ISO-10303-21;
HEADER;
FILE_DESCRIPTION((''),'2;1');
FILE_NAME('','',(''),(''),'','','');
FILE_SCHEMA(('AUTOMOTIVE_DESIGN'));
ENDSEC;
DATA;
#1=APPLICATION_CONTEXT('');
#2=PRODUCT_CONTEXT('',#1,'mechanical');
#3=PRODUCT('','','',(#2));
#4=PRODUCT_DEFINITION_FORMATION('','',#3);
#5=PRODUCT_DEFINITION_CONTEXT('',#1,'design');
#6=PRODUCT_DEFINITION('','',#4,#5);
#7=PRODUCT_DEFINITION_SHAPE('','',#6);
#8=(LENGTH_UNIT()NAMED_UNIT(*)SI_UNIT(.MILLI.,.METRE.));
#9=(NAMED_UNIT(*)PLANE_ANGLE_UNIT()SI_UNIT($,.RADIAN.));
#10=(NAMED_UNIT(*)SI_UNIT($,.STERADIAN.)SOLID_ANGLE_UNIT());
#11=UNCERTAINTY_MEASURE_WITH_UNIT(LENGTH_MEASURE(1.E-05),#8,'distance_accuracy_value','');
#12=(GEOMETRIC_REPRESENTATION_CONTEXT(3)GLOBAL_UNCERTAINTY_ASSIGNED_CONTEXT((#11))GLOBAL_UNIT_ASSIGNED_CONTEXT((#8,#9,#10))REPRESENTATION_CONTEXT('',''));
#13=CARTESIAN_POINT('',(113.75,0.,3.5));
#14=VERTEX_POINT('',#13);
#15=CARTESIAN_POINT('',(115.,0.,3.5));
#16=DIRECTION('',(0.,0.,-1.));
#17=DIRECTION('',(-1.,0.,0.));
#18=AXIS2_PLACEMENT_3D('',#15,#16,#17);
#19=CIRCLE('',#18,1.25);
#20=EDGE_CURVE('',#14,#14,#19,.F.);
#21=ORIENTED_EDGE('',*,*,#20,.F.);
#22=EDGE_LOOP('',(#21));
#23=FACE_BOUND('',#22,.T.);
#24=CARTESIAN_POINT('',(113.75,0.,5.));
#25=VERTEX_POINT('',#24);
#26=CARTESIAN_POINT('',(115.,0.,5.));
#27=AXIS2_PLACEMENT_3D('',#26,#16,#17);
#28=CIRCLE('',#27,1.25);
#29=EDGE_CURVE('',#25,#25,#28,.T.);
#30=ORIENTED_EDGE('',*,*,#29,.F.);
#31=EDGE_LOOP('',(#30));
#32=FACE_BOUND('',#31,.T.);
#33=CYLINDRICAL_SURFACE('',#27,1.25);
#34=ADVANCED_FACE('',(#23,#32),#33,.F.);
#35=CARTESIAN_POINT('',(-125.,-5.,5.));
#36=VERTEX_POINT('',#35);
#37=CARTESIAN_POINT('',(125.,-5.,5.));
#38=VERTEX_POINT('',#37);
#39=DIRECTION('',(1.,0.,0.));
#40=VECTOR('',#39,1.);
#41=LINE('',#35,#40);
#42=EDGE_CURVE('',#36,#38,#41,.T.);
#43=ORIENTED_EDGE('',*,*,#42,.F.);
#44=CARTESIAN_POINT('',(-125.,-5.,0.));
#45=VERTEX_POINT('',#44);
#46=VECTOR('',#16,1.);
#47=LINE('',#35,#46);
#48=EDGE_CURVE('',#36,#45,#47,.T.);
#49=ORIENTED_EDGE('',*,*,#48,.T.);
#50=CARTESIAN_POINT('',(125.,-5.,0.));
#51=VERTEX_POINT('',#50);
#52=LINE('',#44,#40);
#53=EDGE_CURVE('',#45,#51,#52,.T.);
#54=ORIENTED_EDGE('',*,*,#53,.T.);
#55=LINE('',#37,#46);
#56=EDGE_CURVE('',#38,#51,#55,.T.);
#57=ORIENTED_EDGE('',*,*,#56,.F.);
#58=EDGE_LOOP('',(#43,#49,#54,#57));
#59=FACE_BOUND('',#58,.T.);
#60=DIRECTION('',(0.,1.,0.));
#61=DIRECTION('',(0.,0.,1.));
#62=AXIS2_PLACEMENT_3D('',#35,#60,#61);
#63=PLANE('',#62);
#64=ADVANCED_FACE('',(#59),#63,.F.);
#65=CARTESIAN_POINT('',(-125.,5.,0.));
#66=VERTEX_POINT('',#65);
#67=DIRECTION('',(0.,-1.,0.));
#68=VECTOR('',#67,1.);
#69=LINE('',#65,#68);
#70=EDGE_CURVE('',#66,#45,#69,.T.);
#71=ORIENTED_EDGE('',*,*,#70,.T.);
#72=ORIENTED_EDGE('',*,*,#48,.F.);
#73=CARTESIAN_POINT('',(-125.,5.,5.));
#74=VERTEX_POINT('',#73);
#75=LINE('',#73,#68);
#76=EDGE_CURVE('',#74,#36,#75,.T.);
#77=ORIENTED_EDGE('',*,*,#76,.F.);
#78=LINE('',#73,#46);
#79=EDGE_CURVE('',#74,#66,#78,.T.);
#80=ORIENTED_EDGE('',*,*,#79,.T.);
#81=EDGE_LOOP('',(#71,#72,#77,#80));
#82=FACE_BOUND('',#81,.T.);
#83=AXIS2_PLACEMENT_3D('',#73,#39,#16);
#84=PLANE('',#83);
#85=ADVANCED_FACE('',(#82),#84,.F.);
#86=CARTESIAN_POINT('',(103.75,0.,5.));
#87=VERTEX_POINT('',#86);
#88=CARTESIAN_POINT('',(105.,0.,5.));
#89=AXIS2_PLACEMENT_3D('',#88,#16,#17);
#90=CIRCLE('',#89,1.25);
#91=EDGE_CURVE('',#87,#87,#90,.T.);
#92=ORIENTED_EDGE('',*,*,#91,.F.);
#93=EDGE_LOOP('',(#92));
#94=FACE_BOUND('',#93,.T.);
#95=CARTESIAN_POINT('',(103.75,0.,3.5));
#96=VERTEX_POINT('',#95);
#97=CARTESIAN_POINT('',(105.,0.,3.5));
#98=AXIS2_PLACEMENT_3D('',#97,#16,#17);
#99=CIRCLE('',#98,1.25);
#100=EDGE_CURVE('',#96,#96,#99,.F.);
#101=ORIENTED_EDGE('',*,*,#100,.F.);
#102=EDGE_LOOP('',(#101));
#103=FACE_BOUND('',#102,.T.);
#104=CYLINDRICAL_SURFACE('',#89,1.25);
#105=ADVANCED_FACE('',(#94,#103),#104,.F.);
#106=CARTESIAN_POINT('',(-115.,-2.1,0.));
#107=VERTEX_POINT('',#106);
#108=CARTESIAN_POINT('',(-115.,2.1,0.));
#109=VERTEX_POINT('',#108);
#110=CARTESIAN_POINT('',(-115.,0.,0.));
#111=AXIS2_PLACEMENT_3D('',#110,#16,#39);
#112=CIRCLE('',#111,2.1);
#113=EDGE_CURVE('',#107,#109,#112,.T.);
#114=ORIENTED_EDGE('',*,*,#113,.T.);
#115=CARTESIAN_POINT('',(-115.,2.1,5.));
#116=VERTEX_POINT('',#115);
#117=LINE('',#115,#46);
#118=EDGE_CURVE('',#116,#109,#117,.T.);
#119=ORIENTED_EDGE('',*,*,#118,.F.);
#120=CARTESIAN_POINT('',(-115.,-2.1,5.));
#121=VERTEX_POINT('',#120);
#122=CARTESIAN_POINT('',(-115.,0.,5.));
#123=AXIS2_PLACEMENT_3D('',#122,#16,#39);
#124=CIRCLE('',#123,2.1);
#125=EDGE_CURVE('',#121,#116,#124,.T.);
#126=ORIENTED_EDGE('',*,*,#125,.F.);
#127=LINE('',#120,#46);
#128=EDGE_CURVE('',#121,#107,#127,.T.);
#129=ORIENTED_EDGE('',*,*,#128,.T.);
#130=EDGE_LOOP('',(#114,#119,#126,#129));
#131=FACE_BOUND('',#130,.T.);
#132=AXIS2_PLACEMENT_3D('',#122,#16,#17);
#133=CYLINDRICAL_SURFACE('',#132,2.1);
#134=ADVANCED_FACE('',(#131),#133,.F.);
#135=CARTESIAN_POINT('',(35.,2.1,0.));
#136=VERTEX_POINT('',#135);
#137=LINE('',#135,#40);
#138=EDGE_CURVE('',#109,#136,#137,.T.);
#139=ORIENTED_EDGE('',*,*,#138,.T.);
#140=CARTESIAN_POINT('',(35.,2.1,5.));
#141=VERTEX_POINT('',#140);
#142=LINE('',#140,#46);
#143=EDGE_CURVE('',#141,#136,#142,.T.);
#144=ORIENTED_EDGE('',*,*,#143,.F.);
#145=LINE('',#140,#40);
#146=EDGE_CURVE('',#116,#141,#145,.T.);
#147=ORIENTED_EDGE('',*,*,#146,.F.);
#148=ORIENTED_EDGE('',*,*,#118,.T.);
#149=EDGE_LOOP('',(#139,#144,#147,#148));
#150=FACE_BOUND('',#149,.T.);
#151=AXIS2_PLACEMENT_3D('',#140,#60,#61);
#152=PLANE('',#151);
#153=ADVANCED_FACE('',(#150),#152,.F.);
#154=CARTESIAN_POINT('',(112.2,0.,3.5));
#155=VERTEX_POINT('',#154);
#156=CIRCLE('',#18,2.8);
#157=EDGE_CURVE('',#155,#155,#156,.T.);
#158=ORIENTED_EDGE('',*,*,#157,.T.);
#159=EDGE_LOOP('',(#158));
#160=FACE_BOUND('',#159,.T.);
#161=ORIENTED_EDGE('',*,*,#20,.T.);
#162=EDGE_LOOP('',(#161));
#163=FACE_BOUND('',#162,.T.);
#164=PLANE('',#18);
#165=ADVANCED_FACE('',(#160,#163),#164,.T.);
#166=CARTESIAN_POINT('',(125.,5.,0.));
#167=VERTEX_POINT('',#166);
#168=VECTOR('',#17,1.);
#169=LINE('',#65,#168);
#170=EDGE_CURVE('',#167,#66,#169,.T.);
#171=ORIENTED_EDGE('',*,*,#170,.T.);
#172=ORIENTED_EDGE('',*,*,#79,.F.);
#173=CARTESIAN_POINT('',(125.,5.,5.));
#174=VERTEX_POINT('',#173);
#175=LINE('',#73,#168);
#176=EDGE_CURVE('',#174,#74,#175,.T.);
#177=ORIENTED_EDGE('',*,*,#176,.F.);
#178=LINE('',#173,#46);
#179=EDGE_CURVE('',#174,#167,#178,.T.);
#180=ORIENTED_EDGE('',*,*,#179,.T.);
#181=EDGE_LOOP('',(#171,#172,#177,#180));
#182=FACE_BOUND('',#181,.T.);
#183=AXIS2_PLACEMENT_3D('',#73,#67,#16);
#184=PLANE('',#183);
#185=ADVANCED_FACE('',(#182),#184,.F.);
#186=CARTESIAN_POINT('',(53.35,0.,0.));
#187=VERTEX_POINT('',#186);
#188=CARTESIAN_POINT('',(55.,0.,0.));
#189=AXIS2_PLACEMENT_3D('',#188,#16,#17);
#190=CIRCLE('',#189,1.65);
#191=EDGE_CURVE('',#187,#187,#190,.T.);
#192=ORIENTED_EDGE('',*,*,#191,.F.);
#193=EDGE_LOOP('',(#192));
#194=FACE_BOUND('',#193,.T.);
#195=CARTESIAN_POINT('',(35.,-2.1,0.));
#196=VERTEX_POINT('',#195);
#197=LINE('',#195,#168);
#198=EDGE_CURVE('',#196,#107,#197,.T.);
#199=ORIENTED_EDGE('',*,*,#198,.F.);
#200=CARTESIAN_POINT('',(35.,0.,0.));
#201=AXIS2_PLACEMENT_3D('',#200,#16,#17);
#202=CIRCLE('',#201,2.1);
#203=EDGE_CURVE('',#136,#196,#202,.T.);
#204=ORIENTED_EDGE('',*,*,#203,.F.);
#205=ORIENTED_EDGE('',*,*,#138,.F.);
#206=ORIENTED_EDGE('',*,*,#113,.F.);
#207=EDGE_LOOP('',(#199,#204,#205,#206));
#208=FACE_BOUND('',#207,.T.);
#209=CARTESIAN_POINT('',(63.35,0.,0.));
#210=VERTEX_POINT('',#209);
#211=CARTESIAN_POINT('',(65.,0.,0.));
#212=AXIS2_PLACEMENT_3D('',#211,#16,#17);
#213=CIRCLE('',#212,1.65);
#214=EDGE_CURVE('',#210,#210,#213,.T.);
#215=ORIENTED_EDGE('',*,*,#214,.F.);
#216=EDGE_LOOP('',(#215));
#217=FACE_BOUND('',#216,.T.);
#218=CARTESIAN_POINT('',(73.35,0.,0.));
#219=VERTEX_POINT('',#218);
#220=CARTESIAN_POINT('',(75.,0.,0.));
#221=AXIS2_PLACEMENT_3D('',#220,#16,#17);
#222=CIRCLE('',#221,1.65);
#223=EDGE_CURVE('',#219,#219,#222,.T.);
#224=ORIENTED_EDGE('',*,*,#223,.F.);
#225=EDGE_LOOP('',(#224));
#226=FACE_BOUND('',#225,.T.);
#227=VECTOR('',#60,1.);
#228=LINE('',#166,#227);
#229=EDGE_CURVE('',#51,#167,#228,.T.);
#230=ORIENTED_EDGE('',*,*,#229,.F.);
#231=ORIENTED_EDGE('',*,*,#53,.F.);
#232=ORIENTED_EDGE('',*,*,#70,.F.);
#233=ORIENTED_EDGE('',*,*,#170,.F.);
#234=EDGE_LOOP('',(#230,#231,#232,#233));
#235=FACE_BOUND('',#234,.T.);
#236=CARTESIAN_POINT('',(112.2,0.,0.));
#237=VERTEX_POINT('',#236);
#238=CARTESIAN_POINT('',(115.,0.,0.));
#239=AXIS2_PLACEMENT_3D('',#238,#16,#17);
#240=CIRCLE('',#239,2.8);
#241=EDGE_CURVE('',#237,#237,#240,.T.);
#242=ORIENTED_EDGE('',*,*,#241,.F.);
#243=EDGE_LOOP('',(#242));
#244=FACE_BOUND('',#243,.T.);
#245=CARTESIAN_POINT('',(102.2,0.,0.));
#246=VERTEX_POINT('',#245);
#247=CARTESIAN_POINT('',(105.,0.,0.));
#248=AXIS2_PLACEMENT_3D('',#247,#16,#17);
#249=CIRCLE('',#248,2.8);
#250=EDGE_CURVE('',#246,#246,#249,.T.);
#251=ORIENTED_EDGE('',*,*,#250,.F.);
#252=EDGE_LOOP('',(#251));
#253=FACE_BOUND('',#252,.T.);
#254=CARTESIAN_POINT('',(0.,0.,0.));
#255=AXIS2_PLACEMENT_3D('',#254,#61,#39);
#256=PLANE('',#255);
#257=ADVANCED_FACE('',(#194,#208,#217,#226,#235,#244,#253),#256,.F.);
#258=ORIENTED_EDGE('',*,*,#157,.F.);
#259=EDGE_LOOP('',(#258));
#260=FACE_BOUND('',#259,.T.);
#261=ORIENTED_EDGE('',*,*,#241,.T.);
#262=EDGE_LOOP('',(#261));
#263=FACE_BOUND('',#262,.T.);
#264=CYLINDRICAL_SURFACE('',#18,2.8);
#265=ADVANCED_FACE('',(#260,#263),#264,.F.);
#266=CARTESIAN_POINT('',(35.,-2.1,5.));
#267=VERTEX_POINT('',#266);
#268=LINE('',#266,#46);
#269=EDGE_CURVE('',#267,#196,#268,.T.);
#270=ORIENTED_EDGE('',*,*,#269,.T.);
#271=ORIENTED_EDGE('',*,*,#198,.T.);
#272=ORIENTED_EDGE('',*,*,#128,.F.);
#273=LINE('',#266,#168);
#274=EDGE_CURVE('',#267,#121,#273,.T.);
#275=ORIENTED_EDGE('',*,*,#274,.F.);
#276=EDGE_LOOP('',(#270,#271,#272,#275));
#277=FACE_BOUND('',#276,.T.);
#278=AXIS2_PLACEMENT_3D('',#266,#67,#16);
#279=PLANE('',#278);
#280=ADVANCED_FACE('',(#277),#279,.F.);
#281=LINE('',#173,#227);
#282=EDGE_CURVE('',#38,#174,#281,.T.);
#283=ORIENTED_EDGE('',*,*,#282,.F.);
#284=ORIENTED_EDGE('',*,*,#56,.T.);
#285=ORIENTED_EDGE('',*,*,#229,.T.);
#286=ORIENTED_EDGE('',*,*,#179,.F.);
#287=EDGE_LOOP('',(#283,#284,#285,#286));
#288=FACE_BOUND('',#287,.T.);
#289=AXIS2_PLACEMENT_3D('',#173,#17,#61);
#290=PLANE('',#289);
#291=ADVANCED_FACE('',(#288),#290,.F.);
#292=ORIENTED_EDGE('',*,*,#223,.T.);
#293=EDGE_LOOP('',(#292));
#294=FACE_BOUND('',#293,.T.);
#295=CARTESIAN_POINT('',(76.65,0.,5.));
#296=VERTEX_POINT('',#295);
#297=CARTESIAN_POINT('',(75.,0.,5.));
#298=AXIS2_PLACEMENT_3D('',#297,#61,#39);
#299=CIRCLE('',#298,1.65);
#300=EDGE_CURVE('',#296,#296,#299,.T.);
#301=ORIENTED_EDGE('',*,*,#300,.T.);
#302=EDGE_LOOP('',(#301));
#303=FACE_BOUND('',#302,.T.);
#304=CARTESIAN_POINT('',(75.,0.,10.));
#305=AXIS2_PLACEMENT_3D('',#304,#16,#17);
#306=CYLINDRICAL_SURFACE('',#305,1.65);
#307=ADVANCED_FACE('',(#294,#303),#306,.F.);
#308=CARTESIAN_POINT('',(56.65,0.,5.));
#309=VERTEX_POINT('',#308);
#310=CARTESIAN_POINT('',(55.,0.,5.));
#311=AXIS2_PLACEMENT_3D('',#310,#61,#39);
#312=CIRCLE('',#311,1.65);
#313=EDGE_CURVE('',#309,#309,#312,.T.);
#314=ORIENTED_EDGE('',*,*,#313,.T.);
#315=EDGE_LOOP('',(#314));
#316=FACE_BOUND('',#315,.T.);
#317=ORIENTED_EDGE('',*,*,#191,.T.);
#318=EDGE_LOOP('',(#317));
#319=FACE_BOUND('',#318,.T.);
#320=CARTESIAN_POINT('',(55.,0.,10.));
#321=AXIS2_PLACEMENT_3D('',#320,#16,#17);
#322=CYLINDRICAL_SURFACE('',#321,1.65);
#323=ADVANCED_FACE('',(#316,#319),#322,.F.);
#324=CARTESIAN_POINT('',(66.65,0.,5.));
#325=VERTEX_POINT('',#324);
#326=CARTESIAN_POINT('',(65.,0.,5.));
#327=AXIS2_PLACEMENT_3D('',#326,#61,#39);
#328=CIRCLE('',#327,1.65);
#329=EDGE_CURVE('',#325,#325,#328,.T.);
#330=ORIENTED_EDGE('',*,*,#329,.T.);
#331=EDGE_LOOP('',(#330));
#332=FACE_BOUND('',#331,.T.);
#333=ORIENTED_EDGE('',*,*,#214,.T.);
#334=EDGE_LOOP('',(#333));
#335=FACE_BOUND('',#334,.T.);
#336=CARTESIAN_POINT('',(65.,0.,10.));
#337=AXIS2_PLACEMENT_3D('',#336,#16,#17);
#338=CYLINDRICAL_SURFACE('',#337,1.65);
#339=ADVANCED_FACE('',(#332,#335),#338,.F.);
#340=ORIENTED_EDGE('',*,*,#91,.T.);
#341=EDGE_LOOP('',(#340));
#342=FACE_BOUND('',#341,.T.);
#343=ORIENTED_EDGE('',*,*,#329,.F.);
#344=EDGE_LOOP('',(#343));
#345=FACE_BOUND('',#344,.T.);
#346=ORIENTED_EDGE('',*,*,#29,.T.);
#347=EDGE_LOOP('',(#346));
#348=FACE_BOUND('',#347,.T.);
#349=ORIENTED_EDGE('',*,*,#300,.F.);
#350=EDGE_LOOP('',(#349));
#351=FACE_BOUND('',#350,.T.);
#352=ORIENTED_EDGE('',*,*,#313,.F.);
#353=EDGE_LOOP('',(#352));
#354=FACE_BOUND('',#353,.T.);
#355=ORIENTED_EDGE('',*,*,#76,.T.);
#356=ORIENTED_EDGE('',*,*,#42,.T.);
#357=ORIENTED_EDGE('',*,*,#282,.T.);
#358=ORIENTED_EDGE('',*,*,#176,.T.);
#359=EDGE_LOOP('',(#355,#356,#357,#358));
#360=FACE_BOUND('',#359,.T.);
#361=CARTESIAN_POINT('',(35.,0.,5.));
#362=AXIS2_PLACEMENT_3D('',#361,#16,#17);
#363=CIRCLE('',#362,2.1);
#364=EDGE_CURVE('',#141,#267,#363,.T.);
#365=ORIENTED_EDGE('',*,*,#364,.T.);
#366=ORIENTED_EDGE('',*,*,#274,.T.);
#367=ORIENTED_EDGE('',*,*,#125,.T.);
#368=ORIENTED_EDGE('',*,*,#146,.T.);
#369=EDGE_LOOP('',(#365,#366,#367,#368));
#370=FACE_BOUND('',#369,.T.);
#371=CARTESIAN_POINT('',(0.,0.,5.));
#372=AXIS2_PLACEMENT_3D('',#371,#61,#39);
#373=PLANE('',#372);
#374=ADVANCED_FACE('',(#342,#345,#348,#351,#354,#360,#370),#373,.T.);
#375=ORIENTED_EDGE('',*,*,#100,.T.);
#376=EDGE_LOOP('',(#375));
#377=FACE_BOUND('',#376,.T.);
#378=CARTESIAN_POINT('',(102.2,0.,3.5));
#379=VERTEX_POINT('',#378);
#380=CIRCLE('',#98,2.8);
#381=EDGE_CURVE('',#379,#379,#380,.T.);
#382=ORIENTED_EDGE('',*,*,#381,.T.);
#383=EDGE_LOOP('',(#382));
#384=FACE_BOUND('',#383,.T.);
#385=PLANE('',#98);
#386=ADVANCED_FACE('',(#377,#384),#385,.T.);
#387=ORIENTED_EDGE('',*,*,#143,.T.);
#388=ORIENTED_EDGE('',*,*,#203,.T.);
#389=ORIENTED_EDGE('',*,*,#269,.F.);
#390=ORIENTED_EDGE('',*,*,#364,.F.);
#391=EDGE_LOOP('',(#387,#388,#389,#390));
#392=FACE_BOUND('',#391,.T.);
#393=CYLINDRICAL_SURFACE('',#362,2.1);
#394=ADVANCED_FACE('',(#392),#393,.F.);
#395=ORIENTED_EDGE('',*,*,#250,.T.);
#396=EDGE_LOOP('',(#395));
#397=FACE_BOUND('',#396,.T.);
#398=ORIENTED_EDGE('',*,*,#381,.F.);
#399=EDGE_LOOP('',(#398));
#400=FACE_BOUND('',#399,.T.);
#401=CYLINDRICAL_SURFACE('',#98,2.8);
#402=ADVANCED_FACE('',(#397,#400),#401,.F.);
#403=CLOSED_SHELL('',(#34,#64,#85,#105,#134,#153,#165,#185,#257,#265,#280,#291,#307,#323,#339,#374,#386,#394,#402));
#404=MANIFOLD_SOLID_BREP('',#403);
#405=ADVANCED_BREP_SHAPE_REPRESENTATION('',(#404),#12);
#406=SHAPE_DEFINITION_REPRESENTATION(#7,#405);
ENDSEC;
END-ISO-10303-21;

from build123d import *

# Parameters (mm, degrees)
SKETCH_1_W          = 250
SKETCH_1_H          = 10
EXTRUDE_1_DEPTH     = 5
CUT_EXTRUDE_1_DEPTH = 5
SKETCH_3_R          = 1.25
CUT_EXTRUDE_2_DEPTH = 5
SKETCH_4_R          = 2.8
CUT_EXTRUDE_3_DEPTH = 3.5
SKETCH_5_R          = 1.65
CUT_EXTRUDE_4_DEPTH = 10


with BuildPart() as part:
    # Эскиз1 → Бобышка-Вытянуть1 (new body)
    with BuildSketch(Plane.XY):
        Rectangle(SKETCH_1_W, SKETCH_1_H)
    extrude(amount=EXTRUDE_1_DEPTH)

    # Эскиз2 → Вырез-Вытянуть1 (cut)
    with BuildSketch(Plane(origin=(0, 0, 0), x_dir=(-1, 0, 0), z_dir=(0, 0, -1))):
        with BuildLine():
            Line((-35, 2.1), (115, 2.1))
            ThreePointArc((115, 2.1), (117.1, 0), (115, -2.1))
            Line((115, -2.1), (-35, -2.1))
            ThreePointArc((-35, -2.1), (-37.1, 0), (-35, 2.1))
        make_face()
    extrude(amount=-CUT_EXTRUDE_1_DEPTH, mode=Mode.SUBTRACT)

    # Эскиз3 → Вырез-Вытянуть2 (cut)
    with BuildSketch(Plane(origin=(0, 0, 0), x_dir=(-1, 0, 0), z_dir=(0, 0, -1))):
        with Locations((-115, 0)):
            Circle(SKETCH_3_R)
        with Locations((-105, 0)):
            Circle(SKETCH_3_R)
    extrude(amount=-CUT_EXTRUDE_2_DEPTH, mode=Mode.SUBTRACT)

    # Эскиз4 → Вырез-Вытянуть3 (cut)
    with BuildSketch(Plane(origin=(0, 0, 0), x_dir=(-1, 0, 0), z_dir=(0, 0, -1))):
        with Locations((-115, 0)):
            Circle(SKETCH_4_R)
        with Locations((-105, 0)):
            Circle(SKETCH_4_R)
    extrude(amount=-CUT_EXTRUDE_3_DEPTH, mode=Mode.SUBTRACT)

    # Эскиз5 → Вырез-Вытянуть4 (cut)
    with BuildSketch(Plane(origin=(0, 0, 0), x_dir=(-1, 0, 0), z_dir=(0, 0, -1))):
        with Locations((-75, 0)):
            Circle(SKETCH_5_R)
        with Locations((-65, 0)):
            Circle(SKETCH_5_R)
        with Locations((-55, 0)):
            Circle(SKETCH_5_R)
    extrude(amount=-CUT_EXTRUDE_4_DEPTH, mode=Mode.SUBTRACT)


solid = part.part
